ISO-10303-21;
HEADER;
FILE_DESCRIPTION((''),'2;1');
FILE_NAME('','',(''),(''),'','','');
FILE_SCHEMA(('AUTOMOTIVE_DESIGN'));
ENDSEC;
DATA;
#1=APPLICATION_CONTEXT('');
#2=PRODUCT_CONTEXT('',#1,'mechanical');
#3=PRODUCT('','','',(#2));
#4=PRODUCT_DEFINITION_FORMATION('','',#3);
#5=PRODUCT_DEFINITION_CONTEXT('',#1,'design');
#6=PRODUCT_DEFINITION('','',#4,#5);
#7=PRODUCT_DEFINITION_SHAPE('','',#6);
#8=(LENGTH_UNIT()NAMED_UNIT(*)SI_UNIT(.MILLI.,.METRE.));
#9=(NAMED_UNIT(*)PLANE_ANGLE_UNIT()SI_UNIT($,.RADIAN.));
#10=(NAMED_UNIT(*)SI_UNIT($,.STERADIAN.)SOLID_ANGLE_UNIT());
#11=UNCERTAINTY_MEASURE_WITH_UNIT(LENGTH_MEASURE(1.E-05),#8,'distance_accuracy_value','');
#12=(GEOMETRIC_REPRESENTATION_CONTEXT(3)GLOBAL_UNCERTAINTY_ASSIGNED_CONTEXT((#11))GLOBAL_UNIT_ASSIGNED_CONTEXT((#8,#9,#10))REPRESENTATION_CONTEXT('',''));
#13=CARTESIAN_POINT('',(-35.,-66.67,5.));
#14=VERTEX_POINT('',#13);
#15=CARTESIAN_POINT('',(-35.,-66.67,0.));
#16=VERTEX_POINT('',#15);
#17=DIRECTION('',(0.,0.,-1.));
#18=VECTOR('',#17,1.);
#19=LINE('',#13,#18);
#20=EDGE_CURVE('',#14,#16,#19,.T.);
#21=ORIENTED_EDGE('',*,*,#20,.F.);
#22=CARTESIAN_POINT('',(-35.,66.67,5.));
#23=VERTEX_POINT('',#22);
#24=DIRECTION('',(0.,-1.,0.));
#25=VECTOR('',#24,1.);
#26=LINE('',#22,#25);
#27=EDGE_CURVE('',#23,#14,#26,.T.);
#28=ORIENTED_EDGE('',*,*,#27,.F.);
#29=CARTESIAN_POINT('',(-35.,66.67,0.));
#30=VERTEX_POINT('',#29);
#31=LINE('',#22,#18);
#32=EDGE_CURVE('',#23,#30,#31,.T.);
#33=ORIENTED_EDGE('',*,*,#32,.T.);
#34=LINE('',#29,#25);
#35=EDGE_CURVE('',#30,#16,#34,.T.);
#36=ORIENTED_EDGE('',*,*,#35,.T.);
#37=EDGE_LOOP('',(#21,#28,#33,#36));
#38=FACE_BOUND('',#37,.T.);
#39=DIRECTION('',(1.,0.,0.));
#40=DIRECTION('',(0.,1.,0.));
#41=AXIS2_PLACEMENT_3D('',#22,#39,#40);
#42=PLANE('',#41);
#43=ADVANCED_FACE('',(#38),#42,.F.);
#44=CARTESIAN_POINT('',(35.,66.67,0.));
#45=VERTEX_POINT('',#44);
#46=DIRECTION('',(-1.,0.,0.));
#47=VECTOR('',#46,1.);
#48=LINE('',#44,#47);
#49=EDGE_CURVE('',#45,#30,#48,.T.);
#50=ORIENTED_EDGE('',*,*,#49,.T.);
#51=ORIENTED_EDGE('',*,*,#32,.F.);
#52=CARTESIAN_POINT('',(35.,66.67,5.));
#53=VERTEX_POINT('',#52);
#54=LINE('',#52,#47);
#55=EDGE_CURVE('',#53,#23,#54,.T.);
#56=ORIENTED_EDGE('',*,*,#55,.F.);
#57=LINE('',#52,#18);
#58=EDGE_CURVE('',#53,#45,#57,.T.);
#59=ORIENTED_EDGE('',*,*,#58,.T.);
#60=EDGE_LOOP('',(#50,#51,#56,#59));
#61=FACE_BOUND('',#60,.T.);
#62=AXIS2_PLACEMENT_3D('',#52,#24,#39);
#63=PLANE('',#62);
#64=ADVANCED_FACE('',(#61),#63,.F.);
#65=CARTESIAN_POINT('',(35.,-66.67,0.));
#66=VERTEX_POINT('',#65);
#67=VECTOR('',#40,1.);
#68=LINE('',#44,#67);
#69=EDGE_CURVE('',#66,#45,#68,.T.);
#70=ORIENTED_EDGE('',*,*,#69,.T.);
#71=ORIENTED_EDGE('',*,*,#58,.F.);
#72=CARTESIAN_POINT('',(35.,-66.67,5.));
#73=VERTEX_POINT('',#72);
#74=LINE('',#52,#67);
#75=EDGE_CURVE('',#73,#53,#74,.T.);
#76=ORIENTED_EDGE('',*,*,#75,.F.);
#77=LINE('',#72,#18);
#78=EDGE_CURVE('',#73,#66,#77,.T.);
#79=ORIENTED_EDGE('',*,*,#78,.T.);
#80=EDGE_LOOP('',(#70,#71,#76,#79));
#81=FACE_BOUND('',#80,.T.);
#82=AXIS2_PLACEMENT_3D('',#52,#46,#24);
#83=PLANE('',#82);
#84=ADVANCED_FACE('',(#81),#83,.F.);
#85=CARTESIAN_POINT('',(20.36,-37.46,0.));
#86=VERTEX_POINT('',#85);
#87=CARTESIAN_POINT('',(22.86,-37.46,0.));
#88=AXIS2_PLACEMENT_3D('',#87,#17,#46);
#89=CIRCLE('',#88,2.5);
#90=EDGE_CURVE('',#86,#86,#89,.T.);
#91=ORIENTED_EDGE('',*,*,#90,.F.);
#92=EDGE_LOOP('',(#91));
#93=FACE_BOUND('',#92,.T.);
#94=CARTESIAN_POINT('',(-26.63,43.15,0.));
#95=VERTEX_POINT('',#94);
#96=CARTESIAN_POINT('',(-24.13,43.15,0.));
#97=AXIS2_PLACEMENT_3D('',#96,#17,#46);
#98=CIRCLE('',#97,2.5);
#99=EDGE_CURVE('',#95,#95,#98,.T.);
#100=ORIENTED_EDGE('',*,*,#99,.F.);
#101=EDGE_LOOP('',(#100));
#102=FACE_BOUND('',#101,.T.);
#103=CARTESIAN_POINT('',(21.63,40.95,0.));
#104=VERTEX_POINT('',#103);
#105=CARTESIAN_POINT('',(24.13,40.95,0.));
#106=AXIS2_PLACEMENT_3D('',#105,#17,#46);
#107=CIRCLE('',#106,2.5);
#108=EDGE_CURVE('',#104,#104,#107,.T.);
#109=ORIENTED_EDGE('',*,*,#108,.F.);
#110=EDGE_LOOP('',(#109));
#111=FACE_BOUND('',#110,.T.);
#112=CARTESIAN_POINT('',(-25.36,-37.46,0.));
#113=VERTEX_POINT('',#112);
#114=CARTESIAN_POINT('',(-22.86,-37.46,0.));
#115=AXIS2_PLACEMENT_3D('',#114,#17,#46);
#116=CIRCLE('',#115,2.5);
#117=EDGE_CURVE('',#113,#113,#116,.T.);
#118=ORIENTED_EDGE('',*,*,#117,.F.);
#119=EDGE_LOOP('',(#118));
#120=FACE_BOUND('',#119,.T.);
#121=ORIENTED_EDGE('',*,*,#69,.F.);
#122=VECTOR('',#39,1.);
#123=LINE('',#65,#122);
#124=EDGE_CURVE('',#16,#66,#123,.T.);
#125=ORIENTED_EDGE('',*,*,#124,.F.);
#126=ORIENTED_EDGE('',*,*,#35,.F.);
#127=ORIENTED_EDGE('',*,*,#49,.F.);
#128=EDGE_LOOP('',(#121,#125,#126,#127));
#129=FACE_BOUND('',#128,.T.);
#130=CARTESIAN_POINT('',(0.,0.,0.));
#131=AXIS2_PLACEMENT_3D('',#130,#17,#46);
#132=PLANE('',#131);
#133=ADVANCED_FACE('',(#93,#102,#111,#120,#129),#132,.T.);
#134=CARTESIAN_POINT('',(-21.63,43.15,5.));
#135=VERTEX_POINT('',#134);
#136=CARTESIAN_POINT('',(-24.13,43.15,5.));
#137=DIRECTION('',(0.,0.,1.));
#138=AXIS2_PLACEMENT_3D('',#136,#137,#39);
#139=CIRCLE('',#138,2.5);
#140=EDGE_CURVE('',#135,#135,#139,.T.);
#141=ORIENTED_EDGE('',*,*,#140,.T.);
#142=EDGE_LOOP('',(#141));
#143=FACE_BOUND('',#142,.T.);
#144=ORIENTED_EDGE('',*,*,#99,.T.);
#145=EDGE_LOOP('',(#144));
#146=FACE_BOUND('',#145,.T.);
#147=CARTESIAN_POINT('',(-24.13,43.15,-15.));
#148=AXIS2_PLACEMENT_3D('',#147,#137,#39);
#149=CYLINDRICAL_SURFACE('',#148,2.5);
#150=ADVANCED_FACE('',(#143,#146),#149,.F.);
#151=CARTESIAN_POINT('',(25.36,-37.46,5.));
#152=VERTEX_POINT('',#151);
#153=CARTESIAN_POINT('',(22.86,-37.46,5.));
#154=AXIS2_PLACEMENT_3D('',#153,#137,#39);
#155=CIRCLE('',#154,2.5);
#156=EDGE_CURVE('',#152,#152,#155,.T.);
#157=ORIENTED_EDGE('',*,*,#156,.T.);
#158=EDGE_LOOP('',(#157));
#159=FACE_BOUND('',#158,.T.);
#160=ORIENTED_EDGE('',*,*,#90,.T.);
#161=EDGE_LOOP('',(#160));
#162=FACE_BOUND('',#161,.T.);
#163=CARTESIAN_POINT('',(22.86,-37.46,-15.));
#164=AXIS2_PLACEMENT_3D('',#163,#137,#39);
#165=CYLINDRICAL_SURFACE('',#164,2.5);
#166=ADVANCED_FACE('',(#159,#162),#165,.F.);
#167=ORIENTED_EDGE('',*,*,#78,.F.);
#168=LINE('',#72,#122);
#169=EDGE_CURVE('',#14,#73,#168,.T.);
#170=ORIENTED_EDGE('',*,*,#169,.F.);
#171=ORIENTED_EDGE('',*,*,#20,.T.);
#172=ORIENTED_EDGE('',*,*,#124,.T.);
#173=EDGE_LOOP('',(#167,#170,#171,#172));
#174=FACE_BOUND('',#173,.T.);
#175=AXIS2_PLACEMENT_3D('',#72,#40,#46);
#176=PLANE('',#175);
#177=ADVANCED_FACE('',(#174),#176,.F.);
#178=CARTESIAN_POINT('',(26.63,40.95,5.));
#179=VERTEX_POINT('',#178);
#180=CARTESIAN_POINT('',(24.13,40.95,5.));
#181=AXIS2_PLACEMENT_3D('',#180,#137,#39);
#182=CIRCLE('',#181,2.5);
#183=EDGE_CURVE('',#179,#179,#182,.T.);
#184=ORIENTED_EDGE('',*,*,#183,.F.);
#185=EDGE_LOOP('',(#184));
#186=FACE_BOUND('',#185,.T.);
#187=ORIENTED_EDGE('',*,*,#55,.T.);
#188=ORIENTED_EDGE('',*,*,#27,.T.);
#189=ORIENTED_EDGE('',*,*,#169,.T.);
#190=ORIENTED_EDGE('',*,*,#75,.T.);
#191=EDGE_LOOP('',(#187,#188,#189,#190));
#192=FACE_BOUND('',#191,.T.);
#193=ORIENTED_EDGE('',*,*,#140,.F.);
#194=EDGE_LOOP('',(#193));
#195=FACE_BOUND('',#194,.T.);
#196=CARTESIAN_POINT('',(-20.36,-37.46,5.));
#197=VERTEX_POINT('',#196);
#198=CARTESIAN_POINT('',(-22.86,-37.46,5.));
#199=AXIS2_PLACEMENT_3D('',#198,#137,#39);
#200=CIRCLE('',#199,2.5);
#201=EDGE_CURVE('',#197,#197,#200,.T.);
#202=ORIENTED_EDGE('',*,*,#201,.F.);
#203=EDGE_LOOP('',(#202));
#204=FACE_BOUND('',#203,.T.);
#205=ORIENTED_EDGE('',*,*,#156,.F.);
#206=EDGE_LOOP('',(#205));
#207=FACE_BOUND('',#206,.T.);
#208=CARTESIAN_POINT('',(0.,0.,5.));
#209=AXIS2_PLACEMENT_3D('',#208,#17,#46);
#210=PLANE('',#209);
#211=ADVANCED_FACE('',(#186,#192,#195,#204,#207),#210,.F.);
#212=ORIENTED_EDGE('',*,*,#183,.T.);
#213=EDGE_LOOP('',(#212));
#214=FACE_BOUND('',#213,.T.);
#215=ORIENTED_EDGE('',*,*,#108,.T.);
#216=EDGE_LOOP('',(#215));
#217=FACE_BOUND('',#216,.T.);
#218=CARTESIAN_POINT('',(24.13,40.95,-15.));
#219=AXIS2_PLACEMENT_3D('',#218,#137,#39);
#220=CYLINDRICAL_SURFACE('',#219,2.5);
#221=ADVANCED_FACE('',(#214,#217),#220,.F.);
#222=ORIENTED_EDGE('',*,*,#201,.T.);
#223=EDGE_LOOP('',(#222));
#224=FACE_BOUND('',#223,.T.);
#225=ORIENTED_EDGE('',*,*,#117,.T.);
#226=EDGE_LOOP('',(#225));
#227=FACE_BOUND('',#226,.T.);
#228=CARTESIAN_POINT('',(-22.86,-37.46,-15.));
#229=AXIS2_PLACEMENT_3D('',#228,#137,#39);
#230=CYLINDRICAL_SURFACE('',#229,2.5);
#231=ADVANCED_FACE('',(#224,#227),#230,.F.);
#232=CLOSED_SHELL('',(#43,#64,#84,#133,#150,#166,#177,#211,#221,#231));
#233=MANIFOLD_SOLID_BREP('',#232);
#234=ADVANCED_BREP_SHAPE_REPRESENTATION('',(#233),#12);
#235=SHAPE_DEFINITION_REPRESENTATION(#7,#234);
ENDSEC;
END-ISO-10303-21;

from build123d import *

# Parameters (mm, degrees)
SCHIZZO1_W                   = 70
SCHIZZO1_H                   = 133.34
ESTRUSIONE_ESTRUSIONE1_DEPTH = 5
SCHIZZO2_R                   = 2.5
TAGLIO_ESTRUSIONE1_DEPTH     = 20


with BuildPart() as part:
    # Schizzo1 → Estrusione-Estrusione1 (new body)
    with BuildSketch(Plane.XY):
        Rectangle(SCHIZZO1_W, SCHIZZO1_H)
    extrude(amount=ESTRUSIONE_ESTRUSIONE1_DEPTH)

    # Schizzo2 → Taglio-Estrusione1 (cut)
    with BuildSketch(Plane.XY.offset(5)):
        with Locations((-24.13, 43.15)):
            Circle(SCHIZZO2_R)
        with Locations((24.13, 40.95)):
            Circle(SCHIZZO2_R)
        with Locations((22.86, -37.46)):
            Circle(SCHIZZO2_R)
        with Locations((-22.86, -37.46)):
            Circle(SCHIZZO2_R)
    extrude(amount=-TAGLIO_ESTRUSIONE1_DEPTH, mode=Mode.SUBTRACT)


solid = part.part
